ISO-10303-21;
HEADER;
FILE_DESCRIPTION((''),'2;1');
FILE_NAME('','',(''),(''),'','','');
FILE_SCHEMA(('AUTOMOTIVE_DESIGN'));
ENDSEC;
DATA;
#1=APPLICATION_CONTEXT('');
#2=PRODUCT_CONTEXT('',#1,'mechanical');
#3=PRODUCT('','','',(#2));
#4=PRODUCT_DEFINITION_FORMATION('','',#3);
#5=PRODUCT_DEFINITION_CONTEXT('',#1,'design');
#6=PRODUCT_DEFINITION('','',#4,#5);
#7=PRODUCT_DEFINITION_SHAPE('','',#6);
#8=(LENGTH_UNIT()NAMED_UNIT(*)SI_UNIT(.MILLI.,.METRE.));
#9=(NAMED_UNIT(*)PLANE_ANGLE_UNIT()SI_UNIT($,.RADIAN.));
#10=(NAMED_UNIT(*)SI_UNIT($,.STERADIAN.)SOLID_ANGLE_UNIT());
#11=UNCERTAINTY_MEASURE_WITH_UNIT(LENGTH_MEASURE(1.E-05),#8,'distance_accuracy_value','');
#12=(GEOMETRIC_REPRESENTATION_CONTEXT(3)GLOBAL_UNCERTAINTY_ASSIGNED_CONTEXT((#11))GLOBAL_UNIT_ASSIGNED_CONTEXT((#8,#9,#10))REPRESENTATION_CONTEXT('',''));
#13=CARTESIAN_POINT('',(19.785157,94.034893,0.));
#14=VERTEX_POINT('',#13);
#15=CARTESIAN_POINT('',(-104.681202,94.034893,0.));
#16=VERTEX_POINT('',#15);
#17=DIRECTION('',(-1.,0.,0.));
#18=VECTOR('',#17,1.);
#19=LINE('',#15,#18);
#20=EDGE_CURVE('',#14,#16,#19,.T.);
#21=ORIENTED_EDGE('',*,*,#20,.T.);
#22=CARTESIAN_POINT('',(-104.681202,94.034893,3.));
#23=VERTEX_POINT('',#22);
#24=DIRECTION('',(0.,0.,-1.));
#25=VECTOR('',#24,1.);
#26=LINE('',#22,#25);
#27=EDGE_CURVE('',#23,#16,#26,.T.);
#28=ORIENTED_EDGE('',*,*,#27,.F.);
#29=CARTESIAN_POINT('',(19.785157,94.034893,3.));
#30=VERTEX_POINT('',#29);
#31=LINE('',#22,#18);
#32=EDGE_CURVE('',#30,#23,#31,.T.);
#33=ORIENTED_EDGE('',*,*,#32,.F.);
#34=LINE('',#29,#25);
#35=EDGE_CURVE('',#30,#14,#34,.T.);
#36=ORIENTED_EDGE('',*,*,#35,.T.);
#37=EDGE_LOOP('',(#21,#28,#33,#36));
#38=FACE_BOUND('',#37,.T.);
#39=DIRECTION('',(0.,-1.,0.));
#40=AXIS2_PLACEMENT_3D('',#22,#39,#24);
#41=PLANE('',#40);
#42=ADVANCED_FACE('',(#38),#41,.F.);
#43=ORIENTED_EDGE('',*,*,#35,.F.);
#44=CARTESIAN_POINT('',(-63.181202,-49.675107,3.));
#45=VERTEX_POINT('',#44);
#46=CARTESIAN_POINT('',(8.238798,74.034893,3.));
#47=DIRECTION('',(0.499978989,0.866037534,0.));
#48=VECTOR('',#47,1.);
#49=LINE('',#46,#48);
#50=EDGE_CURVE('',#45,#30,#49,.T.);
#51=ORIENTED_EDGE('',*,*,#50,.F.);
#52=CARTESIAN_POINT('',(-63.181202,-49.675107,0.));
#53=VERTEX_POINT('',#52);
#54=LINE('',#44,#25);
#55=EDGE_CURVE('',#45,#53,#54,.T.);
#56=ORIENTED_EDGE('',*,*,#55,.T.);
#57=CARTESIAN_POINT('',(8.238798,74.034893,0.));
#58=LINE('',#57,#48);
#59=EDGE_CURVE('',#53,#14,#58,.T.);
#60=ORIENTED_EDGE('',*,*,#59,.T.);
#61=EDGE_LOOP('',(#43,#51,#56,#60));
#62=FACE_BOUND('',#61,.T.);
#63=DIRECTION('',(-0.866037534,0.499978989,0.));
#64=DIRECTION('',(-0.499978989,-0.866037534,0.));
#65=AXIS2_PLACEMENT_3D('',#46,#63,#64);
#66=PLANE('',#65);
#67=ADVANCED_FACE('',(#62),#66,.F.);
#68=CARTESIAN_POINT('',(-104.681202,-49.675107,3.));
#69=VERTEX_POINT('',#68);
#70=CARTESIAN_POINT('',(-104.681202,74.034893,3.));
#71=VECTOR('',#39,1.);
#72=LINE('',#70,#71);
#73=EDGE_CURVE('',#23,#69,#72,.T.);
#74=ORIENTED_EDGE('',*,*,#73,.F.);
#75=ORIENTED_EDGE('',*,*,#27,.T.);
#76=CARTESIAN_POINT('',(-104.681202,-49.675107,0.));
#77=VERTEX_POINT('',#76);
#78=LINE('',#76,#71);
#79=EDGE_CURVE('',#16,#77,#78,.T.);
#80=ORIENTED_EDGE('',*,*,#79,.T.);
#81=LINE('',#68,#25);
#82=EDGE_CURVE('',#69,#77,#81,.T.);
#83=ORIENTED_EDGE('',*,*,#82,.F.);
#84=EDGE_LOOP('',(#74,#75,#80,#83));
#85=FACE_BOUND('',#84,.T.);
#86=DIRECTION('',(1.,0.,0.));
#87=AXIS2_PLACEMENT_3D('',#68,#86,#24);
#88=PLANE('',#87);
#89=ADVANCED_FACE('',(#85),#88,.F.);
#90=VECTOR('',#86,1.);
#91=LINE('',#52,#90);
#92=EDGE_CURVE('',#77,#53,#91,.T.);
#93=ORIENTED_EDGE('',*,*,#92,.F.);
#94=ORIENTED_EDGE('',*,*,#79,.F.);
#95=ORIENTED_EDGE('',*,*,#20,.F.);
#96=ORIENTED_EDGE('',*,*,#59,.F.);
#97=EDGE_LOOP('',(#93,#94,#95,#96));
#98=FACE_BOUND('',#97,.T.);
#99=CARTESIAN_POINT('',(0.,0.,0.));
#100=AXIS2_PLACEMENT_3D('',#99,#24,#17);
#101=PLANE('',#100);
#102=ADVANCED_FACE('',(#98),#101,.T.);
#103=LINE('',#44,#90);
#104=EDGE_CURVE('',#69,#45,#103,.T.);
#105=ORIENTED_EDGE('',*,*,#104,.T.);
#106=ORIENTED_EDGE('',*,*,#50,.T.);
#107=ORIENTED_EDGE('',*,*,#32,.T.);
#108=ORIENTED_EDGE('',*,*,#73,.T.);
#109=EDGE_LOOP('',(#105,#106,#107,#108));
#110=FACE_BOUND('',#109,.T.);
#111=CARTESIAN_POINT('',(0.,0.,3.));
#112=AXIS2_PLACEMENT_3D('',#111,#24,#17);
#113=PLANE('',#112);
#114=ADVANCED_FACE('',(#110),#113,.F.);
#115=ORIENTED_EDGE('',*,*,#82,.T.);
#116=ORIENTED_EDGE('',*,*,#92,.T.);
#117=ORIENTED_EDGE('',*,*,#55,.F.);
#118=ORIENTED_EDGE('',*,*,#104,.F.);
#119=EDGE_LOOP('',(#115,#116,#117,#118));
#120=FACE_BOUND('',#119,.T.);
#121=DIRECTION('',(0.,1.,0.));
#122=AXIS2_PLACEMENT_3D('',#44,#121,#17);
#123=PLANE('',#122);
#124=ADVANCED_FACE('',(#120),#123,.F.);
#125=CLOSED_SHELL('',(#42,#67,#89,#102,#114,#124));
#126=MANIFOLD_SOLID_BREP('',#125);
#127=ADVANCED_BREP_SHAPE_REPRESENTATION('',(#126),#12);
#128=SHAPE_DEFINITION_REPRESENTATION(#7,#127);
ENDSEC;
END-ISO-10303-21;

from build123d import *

# Parameters (mm, degrees)
BOSS_EXTRUDE1_DEPTH = 3


with BuildPart() as part:
    # Sketch1 → Boss-Extrude1 (new body)
    with BuildSketch(Plane.XY):
        Polygon((8.238798283, 74.034892704), (-63.181201717, -49.675107296), (-104.681201717, -49.675107296), (-104.681201717, 74.034892704), (-104.681201717, 94.034892704), (19.785156702, 94.034892704), align=None)
    extrude(amount=BOSS_EXTRUDE1_DEPTH)


solid = part.part
